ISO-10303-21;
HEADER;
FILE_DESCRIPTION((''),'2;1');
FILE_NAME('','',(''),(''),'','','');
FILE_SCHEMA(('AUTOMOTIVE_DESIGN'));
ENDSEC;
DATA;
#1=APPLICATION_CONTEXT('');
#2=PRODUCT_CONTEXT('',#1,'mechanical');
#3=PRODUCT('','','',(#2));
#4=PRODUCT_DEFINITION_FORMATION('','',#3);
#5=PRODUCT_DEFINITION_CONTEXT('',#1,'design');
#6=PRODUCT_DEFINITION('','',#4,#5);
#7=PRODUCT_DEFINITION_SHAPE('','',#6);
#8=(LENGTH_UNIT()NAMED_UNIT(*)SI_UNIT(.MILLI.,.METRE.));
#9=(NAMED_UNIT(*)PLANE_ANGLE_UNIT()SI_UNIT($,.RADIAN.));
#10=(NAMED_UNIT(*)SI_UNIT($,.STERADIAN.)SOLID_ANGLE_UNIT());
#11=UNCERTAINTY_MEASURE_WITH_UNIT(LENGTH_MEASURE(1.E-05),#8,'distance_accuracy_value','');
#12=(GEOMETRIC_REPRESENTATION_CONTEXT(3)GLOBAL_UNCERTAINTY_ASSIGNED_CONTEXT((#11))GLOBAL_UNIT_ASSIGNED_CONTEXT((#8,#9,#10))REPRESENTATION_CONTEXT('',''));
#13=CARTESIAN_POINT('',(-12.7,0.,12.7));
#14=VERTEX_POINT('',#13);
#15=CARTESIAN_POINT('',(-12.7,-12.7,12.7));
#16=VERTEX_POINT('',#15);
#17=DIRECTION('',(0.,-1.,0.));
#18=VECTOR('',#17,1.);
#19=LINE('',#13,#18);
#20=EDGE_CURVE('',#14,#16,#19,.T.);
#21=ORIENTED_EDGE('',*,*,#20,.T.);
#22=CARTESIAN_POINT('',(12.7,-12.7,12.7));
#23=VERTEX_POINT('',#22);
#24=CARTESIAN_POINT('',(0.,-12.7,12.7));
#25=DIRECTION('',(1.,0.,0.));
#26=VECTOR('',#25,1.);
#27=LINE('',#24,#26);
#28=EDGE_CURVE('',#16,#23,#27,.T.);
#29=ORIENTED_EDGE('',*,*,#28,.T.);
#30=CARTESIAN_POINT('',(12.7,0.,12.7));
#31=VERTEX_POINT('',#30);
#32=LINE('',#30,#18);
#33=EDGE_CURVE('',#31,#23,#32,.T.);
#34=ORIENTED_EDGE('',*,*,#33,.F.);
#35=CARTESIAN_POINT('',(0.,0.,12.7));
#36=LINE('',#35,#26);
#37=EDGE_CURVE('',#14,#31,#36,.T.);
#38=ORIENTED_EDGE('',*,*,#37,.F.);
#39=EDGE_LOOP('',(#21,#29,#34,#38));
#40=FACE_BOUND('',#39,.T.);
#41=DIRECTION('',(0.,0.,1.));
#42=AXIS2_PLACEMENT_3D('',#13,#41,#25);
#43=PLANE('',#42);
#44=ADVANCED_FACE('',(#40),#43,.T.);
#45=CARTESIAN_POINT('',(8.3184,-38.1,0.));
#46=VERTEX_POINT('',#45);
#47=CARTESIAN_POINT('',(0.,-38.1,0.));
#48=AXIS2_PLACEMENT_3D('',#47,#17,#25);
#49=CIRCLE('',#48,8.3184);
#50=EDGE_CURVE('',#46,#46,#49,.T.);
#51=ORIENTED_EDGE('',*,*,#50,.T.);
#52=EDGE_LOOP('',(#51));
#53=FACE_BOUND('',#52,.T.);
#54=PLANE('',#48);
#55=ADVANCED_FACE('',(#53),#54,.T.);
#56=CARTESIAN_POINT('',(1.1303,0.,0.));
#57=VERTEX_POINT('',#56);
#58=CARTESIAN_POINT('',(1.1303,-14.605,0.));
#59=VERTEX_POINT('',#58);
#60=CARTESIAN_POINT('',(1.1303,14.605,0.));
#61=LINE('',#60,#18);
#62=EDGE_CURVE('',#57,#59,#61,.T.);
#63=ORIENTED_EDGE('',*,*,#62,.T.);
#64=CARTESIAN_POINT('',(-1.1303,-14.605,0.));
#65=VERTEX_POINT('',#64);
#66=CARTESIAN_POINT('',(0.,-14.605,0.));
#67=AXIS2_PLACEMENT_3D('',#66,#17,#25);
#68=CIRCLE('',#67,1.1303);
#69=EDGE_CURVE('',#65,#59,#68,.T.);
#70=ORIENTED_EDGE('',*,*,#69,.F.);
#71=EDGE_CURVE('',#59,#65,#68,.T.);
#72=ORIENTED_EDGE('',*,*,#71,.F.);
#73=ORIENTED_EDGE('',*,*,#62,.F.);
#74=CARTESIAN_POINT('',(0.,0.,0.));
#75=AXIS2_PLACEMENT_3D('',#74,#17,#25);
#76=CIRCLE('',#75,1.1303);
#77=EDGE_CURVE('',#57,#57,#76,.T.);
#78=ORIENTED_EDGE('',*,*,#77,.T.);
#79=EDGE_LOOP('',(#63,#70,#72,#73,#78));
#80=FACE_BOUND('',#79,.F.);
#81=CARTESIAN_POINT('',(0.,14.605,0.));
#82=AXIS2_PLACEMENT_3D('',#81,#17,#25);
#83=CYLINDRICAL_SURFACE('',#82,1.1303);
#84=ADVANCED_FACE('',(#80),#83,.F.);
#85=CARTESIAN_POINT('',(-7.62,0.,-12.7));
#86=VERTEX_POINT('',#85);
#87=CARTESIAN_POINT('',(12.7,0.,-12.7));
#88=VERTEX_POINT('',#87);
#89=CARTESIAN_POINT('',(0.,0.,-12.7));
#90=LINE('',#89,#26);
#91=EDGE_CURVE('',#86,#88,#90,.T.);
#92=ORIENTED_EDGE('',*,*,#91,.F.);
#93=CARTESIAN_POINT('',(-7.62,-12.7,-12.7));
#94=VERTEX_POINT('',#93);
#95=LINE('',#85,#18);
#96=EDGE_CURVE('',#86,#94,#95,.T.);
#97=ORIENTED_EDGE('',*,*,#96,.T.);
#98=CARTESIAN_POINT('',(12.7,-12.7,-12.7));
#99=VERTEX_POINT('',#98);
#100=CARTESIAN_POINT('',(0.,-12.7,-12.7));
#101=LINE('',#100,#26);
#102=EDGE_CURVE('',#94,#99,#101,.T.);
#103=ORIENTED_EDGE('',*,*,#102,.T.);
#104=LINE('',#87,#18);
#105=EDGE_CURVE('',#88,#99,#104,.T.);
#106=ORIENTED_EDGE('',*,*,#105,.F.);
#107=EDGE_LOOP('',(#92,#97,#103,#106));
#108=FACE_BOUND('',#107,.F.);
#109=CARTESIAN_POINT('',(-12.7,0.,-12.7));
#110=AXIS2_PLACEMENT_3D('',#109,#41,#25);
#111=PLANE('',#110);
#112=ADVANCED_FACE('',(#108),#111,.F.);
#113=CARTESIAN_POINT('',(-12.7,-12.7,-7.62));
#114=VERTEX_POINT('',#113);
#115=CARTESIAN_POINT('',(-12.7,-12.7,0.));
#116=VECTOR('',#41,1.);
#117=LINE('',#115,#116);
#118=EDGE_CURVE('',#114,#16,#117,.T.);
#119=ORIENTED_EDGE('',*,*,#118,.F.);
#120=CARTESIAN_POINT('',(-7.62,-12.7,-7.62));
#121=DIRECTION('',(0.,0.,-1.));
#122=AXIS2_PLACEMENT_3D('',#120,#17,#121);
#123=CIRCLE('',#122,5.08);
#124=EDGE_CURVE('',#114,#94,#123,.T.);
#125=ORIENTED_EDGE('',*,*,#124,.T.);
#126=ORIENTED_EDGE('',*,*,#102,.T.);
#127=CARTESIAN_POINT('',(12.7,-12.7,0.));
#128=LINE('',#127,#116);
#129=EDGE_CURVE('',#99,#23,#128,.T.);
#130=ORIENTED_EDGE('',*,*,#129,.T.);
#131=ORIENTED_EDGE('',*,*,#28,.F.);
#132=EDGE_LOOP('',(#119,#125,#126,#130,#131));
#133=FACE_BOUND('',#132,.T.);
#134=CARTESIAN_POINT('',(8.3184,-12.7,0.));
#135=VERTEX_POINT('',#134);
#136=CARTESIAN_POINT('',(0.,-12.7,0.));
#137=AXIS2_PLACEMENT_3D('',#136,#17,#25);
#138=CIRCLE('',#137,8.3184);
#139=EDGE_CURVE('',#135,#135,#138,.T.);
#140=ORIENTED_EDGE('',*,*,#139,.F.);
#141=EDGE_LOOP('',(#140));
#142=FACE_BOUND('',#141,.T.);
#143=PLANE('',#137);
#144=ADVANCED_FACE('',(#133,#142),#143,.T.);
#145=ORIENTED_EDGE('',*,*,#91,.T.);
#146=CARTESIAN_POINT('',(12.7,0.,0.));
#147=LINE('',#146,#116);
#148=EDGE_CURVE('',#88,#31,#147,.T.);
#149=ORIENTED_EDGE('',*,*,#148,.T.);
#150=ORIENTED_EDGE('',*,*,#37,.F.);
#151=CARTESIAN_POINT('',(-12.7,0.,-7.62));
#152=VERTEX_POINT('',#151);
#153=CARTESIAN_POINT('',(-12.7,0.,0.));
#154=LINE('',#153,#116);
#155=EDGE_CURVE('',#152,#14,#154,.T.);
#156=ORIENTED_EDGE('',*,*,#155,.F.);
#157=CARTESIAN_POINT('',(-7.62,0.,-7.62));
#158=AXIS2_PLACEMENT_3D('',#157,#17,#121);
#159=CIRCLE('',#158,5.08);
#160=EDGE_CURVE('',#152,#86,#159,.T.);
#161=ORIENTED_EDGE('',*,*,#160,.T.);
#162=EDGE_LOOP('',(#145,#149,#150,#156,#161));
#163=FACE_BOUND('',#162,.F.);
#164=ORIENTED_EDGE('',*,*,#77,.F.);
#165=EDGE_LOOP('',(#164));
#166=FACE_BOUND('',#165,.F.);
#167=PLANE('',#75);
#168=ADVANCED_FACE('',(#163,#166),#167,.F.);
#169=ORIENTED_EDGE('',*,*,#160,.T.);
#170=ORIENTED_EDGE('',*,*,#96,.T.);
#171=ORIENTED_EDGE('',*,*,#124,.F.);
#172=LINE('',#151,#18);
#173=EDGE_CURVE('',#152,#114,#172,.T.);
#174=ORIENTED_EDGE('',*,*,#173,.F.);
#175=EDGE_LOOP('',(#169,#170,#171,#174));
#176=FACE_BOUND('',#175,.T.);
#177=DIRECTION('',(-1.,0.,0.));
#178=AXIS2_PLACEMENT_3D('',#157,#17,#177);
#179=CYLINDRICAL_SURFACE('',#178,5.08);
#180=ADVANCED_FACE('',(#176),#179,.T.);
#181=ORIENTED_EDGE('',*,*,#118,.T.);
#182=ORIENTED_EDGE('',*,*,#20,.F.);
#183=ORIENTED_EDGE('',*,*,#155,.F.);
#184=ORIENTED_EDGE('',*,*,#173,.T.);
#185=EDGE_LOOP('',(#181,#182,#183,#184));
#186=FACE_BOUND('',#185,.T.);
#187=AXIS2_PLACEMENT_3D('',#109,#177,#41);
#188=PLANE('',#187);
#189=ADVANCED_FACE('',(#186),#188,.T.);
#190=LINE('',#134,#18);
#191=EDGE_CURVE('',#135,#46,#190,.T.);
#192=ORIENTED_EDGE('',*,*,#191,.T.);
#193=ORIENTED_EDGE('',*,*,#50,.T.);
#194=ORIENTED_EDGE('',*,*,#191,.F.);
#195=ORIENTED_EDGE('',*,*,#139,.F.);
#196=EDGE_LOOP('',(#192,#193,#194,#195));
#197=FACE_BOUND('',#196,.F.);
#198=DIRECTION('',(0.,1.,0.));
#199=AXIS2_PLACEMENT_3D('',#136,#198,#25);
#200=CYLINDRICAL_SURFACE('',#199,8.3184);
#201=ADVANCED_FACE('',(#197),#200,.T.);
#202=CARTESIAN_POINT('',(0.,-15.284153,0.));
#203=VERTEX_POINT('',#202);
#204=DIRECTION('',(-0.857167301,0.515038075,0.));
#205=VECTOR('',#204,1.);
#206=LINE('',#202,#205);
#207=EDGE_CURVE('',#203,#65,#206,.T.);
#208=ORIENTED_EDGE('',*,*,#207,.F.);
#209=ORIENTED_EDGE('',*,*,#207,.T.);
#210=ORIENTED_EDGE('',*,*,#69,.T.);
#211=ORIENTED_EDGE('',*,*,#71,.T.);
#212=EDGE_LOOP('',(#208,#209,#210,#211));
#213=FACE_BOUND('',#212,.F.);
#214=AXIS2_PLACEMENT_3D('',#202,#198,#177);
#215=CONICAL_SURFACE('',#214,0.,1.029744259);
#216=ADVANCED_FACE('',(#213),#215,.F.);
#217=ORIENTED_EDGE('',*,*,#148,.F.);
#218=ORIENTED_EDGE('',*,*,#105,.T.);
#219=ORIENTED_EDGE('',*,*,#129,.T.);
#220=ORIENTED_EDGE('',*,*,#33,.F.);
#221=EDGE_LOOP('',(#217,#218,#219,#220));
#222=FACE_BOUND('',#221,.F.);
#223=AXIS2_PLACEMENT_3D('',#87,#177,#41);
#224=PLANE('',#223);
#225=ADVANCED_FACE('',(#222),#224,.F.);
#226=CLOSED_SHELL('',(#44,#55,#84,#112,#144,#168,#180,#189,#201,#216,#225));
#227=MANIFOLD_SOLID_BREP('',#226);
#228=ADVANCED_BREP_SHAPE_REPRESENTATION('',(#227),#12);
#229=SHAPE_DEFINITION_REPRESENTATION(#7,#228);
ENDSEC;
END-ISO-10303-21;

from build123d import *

# Parameters (mm, degrees)
F0_W     = 25.4
F0_H     = 25.4
F1_DEPTH = 12.7
F2_R     = 8.3183998394
F3_DEPTH = 25.4
F4_R     = 5.08
F6_D     = 2.2606
F6_DEPTH = 14.605
F6_TIP   = 0.6791527577


with BuildPart() as f1:
    # F0 (on Front) → F1 (new body)
    with BuildSketch(Plane.XZ):
        Rectangle(F0_W, F0_H)
    extrude(amount=F1_DEPTH)

    # F2 (on face) → F3 (join)
    with BuildSketch(Plane.XZ.offset(12.7)):
        Circle(F2_R)
    extrude(amount=F3_DEPTH)

    # F4
    f4_edges = [f1.edges().sort_by_distance(p)[0] for p in [
        (-12.7, -6.35, -12.7),
    ]]
    fillet(f4_edges, radius=F4_R)

    # F6
    with Locations(Plane(origin=(0, 0, 0), x_dir=(-1, 0, 0), z_dir=(0, 1, 0))):
        with Locations((0, 0)):
            Hole(F6_D / 2, depth=F6_DEPTH)
            with Locations((0, 0, -(F6_DEPTH + F6_TIP / 2))):  # 118° drill point
                Cone(0, F6_D / 2, F6_TIP, mode=Mode.SUBTRACT)


solid = f1.part
